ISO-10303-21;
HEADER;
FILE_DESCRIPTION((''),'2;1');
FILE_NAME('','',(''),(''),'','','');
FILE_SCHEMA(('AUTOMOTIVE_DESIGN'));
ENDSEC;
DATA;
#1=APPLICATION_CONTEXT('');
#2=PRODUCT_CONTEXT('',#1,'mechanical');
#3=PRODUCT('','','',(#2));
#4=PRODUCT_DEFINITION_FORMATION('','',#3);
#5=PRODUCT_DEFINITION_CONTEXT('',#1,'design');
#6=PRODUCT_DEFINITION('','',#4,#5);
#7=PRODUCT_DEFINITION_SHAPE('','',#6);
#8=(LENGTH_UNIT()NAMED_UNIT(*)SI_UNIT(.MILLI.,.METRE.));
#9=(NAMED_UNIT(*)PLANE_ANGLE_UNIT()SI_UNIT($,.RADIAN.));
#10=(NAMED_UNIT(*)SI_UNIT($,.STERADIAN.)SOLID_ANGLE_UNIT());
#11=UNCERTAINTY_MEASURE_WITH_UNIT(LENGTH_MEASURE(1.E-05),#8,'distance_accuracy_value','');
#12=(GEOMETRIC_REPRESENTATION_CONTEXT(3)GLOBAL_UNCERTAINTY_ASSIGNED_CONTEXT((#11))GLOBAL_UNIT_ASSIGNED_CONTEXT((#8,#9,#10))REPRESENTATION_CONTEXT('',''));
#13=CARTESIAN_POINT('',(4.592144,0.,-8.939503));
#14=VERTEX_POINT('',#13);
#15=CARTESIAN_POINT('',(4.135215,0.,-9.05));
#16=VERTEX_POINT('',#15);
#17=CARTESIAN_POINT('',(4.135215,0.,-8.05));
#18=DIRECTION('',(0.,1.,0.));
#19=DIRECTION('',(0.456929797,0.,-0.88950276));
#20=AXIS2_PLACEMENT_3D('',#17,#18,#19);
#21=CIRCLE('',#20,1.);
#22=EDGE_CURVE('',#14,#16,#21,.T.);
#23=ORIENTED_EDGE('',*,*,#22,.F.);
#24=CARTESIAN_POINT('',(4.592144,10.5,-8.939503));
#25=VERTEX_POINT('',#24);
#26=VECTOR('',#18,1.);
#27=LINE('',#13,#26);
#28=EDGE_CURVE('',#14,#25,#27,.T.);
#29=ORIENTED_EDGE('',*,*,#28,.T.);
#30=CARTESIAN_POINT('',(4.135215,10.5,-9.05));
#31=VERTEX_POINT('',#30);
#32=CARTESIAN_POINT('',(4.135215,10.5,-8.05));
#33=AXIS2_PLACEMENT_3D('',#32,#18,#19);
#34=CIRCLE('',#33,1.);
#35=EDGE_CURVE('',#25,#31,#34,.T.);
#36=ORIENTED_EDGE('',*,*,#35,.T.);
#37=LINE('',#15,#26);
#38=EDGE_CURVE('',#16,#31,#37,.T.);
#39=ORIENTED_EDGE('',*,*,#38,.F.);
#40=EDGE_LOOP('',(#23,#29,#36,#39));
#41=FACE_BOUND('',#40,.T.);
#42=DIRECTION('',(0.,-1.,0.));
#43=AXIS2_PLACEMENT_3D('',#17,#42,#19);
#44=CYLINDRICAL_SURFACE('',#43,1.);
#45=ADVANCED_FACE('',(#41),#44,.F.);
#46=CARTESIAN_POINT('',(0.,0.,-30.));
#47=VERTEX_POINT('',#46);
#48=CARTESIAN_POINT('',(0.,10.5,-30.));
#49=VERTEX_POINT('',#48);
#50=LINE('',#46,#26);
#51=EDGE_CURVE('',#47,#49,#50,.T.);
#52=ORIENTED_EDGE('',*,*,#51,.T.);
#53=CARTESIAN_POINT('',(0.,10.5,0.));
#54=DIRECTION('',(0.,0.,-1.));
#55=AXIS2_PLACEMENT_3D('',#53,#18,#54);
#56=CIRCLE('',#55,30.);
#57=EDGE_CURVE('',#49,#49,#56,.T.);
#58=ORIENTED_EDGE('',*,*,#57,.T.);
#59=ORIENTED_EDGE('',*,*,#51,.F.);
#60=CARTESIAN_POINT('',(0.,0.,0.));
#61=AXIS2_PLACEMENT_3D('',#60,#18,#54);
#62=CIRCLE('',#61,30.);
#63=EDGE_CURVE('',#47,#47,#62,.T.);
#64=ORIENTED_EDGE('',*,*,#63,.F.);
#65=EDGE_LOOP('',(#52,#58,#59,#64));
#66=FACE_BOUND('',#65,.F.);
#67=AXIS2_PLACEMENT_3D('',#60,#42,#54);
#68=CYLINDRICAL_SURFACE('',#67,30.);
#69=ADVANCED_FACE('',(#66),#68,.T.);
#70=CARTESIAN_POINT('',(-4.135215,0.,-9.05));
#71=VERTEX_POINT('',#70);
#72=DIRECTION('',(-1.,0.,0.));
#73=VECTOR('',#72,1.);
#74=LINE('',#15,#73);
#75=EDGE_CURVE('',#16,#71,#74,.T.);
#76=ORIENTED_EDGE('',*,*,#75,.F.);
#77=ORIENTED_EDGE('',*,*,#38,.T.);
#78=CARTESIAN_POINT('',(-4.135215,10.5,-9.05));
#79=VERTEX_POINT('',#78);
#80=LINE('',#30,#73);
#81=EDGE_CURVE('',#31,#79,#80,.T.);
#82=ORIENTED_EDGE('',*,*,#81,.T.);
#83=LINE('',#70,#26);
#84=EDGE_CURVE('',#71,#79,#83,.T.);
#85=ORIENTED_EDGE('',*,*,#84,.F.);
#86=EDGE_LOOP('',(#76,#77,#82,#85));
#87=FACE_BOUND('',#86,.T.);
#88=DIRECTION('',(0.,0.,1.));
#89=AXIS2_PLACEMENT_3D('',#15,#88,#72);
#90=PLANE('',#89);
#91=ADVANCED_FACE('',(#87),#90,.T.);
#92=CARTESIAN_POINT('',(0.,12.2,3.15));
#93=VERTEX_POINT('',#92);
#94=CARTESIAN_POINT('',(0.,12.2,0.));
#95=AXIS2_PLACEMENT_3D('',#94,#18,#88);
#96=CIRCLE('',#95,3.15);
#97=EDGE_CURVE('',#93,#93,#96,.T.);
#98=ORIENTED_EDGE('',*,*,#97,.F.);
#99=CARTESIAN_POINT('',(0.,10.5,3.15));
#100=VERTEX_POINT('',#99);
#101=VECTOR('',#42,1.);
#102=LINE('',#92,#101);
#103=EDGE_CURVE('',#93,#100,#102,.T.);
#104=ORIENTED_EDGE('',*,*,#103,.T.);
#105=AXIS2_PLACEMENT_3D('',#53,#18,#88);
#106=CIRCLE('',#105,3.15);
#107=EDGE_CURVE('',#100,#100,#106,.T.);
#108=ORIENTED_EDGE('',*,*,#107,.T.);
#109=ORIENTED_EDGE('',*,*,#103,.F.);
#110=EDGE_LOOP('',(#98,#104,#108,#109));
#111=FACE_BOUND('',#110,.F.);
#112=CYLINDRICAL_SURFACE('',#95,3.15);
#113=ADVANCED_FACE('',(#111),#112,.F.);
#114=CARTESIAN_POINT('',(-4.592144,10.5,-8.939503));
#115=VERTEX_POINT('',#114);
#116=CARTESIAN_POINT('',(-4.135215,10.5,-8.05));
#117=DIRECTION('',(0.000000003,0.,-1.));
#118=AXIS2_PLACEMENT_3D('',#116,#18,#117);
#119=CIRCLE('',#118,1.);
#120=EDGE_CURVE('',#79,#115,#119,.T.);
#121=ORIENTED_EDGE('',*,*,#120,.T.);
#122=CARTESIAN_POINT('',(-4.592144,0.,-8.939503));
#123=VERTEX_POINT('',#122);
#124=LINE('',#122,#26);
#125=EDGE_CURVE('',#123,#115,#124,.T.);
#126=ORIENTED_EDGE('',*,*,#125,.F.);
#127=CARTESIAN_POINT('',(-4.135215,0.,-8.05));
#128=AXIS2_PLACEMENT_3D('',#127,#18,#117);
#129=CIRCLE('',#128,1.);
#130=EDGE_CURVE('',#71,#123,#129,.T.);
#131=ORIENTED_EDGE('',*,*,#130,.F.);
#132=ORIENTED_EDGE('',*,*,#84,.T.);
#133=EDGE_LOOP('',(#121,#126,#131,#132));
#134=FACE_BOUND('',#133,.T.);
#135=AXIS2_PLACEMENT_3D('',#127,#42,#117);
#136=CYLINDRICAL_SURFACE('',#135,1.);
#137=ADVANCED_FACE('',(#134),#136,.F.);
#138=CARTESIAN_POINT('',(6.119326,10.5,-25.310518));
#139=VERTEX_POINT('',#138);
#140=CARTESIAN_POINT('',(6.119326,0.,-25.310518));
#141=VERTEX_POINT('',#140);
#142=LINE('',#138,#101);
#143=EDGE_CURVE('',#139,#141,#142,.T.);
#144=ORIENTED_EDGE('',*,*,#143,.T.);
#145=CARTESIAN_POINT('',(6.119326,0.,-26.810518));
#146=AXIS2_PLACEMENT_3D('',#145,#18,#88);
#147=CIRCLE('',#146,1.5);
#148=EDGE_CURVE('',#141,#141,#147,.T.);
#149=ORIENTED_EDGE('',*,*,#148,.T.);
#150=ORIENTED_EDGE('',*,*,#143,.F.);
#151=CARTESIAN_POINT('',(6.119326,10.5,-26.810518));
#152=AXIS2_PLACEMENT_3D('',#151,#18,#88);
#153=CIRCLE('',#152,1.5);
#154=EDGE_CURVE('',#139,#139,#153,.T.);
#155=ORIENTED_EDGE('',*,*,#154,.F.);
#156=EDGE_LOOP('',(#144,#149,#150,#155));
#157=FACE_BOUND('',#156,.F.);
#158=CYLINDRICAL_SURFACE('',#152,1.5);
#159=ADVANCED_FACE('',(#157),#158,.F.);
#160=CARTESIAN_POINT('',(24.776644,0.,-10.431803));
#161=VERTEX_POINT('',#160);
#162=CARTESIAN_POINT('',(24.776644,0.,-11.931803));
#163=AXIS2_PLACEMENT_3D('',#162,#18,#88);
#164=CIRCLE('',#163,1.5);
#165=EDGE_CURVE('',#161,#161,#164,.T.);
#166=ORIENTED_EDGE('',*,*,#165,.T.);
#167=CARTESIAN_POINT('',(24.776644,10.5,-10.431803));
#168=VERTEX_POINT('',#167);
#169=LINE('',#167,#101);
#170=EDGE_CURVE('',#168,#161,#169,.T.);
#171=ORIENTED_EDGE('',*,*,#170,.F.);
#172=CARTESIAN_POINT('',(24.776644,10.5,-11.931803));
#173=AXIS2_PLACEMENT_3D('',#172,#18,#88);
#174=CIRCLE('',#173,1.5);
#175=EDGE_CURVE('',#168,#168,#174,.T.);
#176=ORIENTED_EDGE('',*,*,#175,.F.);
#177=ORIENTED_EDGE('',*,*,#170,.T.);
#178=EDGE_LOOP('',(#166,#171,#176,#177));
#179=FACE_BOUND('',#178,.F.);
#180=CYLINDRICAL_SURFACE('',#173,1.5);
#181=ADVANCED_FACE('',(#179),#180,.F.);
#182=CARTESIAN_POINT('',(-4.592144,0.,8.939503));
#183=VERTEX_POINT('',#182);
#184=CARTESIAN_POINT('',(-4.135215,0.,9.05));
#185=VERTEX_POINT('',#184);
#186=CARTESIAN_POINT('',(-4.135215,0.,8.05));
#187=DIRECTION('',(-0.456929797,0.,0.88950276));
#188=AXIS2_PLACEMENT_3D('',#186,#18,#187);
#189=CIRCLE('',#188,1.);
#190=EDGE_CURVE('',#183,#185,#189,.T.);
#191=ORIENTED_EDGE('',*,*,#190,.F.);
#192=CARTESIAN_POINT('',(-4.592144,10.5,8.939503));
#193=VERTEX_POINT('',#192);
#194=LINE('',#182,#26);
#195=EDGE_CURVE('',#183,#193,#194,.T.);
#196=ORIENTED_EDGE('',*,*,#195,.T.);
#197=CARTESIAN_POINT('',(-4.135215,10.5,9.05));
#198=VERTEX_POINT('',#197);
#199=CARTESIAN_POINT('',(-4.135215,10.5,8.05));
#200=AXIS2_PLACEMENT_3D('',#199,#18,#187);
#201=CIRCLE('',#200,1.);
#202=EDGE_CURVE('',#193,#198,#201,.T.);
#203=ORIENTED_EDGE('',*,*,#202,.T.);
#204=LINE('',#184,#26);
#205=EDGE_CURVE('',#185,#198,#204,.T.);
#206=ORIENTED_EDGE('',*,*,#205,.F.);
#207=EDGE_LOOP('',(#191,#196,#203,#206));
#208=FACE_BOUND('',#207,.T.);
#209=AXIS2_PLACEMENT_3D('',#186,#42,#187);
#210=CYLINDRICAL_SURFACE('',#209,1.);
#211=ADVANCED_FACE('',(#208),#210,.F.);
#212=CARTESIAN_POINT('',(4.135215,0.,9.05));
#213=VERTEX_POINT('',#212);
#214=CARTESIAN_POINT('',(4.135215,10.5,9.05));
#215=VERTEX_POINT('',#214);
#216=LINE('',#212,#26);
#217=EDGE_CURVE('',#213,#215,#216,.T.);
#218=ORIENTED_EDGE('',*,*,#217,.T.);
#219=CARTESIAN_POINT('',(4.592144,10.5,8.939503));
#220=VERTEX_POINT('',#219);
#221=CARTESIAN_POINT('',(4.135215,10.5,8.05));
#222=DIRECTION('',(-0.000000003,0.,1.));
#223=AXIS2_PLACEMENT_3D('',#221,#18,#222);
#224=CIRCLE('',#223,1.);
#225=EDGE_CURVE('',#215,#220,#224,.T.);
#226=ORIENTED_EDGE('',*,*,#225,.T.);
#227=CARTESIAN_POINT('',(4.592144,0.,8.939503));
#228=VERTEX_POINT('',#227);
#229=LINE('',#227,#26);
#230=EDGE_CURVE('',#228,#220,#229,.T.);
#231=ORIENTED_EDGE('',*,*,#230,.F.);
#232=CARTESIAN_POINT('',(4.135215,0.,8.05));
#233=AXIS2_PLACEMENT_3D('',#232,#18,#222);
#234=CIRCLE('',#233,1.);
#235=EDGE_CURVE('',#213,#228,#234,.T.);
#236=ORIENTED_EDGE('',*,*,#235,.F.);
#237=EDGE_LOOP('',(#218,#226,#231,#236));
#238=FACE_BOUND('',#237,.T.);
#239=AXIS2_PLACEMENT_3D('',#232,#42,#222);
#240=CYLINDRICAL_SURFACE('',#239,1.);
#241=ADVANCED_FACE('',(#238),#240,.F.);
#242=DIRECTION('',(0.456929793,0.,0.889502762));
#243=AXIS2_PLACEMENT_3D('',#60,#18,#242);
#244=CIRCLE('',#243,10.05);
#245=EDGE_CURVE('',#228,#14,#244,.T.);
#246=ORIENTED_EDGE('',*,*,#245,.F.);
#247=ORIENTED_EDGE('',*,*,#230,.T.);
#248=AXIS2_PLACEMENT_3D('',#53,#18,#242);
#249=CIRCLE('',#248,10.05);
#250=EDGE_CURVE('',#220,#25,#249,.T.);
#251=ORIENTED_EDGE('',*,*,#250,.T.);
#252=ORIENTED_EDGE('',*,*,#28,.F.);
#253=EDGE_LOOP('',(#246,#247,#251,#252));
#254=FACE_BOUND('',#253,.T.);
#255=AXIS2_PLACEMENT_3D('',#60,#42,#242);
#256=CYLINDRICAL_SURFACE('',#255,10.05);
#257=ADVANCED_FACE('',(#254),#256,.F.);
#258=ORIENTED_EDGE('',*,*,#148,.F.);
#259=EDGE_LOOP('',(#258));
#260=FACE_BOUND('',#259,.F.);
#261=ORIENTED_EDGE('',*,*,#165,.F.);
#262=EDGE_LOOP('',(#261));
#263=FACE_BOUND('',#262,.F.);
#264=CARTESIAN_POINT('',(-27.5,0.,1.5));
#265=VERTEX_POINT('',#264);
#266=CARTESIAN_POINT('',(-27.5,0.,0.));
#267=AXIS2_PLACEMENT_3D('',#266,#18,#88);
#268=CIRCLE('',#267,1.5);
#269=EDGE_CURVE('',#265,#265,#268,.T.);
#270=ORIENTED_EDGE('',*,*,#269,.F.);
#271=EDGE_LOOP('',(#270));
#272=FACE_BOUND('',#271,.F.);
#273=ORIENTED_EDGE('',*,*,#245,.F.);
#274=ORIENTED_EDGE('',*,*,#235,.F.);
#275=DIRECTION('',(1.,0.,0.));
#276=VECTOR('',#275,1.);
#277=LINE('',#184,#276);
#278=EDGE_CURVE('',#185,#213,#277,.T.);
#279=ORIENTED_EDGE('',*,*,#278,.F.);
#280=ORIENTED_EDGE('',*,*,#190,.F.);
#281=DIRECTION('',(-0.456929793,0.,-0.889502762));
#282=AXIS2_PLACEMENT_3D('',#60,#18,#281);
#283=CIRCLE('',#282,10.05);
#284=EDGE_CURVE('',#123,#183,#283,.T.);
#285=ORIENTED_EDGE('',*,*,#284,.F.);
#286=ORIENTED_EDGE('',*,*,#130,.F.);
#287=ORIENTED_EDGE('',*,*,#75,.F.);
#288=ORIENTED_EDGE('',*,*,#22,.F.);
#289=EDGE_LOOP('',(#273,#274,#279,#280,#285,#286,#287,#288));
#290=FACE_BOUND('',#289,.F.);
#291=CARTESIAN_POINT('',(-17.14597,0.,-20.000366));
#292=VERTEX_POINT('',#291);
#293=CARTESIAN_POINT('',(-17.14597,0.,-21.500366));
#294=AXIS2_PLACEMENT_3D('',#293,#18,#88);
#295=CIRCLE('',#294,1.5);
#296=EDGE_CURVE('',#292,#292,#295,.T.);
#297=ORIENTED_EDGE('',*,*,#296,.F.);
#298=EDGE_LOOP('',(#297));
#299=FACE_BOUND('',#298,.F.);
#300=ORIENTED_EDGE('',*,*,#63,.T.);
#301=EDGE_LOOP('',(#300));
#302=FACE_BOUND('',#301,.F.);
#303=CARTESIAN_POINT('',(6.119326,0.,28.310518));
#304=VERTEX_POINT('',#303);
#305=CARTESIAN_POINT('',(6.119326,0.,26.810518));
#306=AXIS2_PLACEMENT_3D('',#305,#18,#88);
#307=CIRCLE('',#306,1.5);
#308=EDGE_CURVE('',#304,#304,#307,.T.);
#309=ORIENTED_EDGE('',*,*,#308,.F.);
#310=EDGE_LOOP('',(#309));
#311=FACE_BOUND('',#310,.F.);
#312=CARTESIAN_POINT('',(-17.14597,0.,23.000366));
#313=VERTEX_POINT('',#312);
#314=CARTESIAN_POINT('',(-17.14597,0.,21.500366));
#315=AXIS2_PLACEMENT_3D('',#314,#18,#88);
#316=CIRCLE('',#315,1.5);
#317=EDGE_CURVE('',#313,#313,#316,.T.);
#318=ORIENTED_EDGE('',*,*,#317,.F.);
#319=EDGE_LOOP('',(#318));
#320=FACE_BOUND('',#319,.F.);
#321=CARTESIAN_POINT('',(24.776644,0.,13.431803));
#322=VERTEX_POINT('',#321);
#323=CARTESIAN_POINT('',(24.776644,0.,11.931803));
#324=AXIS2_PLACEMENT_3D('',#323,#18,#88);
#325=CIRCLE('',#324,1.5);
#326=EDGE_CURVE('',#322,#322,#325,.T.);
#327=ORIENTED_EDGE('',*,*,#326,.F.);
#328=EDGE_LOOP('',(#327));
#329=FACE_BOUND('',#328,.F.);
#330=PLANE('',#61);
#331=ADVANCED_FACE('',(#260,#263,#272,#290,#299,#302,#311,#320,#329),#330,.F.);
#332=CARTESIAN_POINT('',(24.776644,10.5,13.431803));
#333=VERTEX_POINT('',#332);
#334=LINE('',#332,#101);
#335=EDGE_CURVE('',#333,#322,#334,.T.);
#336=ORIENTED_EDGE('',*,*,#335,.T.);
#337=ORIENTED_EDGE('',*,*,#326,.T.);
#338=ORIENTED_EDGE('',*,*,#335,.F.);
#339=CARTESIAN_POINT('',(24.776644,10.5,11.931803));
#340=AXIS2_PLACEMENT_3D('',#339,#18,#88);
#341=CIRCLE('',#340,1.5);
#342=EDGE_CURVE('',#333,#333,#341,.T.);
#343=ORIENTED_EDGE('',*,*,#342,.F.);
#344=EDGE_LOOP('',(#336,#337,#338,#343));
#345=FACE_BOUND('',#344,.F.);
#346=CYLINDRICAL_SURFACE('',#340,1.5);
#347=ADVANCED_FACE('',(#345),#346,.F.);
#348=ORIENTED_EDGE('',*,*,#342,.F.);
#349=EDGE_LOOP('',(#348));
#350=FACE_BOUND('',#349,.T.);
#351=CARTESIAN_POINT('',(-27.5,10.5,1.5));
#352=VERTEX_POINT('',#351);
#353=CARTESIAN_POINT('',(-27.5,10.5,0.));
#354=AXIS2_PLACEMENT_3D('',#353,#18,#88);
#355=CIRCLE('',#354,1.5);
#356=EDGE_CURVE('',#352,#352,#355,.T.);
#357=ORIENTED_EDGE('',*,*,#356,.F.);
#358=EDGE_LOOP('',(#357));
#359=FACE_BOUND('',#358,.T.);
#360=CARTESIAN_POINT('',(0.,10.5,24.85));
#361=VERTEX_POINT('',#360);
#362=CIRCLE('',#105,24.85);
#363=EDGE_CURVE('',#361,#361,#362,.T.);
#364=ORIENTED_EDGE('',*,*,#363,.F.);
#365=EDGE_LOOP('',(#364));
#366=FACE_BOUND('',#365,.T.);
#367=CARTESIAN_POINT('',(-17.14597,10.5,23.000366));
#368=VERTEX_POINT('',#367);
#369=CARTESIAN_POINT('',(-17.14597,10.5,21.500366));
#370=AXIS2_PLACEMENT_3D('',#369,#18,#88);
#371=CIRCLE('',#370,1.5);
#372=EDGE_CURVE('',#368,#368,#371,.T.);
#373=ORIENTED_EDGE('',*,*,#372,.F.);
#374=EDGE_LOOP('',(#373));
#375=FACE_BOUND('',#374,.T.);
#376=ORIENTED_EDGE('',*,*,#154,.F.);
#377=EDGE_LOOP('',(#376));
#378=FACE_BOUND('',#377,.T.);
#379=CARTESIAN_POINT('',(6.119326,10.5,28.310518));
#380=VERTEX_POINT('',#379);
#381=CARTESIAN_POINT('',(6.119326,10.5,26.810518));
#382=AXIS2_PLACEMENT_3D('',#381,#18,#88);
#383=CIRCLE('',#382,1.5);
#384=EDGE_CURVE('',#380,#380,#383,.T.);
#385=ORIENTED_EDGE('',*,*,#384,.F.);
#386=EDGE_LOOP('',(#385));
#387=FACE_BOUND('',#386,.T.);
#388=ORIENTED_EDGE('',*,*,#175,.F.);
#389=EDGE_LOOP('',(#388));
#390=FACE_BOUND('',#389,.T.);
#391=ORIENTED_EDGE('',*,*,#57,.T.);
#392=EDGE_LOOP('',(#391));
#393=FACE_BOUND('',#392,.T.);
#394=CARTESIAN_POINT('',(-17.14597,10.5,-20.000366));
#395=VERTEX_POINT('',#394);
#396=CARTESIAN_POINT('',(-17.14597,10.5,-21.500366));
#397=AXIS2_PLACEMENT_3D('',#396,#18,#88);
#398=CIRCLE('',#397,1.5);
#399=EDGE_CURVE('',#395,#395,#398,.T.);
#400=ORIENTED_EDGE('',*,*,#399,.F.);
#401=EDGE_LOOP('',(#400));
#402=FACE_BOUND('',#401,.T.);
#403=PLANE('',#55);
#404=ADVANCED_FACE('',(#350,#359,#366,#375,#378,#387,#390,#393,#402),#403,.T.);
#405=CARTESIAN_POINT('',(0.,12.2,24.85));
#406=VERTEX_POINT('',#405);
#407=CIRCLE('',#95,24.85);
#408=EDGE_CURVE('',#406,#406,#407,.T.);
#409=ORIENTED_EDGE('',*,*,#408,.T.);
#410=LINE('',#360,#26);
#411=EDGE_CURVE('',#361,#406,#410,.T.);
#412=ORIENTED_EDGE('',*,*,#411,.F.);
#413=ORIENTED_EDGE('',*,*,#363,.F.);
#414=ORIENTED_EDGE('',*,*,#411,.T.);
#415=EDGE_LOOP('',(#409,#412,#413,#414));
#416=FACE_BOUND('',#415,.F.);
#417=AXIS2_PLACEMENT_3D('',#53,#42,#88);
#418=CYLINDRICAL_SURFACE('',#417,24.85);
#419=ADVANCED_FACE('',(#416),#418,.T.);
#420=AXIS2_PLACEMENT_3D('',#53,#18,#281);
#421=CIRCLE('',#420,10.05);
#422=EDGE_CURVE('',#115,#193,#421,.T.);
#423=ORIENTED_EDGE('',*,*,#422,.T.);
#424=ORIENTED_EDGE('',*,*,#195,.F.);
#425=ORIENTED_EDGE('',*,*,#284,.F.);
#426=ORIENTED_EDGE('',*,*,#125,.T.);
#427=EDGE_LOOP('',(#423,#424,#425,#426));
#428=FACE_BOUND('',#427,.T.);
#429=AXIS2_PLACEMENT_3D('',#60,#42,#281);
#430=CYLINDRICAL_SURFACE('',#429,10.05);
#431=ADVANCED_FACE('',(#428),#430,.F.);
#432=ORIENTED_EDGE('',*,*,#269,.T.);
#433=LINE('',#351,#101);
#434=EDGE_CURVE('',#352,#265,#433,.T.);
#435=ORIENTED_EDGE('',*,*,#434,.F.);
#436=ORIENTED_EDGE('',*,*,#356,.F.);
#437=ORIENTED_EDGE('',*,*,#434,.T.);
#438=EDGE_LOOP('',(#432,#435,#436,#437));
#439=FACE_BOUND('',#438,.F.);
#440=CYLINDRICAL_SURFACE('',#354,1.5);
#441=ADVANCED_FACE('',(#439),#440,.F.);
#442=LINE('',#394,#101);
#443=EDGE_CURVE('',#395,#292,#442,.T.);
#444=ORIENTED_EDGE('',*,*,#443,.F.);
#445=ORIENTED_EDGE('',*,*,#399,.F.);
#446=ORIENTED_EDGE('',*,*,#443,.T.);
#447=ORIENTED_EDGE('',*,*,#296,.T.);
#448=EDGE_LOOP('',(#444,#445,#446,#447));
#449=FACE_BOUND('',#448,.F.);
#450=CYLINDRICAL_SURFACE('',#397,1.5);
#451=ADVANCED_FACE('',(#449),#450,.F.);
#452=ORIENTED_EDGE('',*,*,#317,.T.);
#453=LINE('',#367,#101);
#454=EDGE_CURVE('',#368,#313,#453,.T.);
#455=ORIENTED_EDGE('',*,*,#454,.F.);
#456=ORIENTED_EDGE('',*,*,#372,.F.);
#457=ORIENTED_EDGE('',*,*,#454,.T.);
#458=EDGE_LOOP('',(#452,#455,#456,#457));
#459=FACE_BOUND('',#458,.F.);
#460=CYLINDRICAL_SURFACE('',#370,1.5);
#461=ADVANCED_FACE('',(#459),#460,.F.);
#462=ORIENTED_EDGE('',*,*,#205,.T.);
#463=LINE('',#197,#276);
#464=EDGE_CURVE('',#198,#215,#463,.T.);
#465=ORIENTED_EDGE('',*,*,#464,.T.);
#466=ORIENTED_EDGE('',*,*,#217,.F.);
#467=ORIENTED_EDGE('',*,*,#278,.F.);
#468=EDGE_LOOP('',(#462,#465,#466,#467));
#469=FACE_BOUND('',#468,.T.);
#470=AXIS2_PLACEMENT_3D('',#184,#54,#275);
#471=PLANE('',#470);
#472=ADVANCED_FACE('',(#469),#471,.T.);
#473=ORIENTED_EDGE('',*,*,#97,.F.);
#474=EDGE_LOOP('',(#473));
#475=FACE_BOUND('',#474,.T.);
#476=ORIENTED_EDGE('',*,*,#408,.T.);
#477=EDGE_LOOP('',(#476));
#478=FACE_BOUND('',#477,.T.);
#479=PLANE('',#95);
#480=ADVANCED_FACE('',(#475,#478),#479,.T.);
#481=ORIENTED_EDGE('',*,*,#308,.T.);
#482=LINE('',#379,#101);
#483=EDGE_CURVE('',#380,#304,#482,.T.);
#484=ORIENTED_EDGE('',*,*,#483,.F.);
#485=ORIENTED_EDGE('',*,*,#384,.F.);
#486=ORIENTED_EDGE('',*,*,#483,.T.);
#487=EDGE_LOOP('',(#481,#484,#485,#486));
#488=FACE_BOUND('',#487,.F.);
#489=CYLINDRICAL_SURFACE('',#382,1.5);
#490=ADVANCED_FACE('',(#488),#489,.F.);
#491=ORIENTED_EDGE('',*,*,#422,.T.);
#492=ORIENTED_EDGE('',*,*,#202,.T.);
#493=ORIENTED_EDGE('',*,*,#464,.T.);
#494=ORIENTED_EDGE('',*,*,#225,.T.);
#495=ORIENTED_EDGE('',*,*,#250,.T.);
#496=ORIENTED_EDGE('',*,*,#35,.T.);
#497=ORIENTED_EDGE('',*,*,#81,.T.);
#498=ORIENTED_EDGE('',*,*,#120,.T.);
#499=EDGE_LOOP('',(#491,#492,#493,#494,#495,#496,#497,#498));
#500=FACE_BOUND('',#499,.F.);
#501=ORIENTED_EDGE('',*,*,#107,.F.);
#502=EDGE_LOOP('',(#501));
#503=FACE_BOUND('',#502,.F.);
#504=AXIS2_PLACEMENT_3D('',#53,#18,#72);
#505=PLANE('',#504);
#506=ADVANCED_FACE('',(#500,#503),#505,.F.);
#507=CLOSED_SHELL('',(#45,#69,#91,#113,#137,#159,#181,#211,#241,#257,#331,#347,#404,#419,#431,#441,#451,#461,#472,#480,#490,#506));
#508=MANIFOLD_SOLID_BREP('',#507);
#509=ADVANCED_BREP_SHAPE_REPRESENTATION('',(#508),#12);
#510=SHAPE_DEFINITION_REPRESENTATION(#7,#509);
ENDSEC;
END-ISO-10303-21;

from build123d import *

# Parameters (mm, degrees)
CROQUIS1_R              = 30
SALIENTE_EXTRUIR1_DEPTH = 10.5
CROQUIS2_R              = 24.85
SALIENTE_EXTRUIR2_DEPTH = 1.7
CROQUIS4_R              = 1.5
CORTAR_EXTRUIR1_DEPTH   = 44.706406853
CORTAR_EXTRUIR2_DEPTH   = 10.5
CROQUIS6_R              = 3.15
CORTAR_EXTRUIR3_DEPTH   = 45.145667964


with BuildPart() as part:
    # Croquis1 → Saliente-Extruir1 (new body)
    with BuildSketch(Plane(origin=(0, 0, 0), x_dir=(1, 0, 0), z_dir=(0, 1, 0))):
        with Locations(Location((0, 0, 0), (0, 0, 90))):
            Circle(CROQUIS1_R)
    extrude(amount=SALIENTE_EXTRUIR1_DEPTH)

    # Croquis2 → Saliente-Extruir2 (add)
    with BuildSketch(Plane(origin=(0, 10.5, 0), x_dir=(1, 0, 0), z_dir=(0, 1, 0))):
        with Locations(Location((0, 0, 0), (0, 0, 270))):
            Circle(CROQUIS2_R)
    extrude(amount=SALIENTE_EXTRUIR2_DEPTH)

    # Croquis4 → Cortar-Extruir1 (cut, through all)
    with BuildSketch(Plane(origin=(0, 10.5, 0), x_dir=(1, 0, 0), z_dir=(0, 1, 0))):
        with Locations(Location((-27.5, 0, 0), (0, 0, 270))):
            Circle(CROQUIS4_R)
        with Locations(Location((-17.145969551, 21.500365768, 0), (0, 0, 270))):
            Circle(CROQUIS4_R)
        with Locations(Location((6.119325684, 26.810517585, 0), (0, 0, 270))):
            Circle(CROQUIS4_R)
        with Locations(Location((24.776643867, 11.931802826, 0), (0, 0, 270))):
            Circle(CROQUIS4_R)
        with Locations(Location((24.776643867, -11.931802826, 0), (0, 0, 270))):
            Circle(CROQUIS4_R)
        with Locations(Location((6.119325684, -26.810517585, 0), (0, 0, 270))):
            Circle(CROQUIS4_R)
        with Locations(Location((-17.145969551, -21.500365768, 0), (0, 0, 270))):
            Circle(CROQUIS4_R)
    extrude(amount=-CORTAR_EXTRUIR1_DEPTH, mode=Mode.SUBTRACT)

    # Croquis5 → Cortar-Extruir2 (cut)
    with BuildSketch(Plane.XZ):
        with BuildLine():
            Line((-4.135214626, 9.05), (4.135214626, 9.05))
            ThreePointArc((4.135214626, 9.05), (4.370264873, 9.021983221), (4.592144419, 8.939502762))
            ThreePointArc((4.592144419, 8.939502762), (10.05, 0), (4.592144419, -8.939502762))
            ThreePointArc((4.592144419, -8.939502762), (4.370264873, -9.021983221), (4.135214626, -9.05))
            Line((4.135214626, -9.05), (-4.135214626, -9.05))
            ThreePointArc((-4.135214626, -9.05), (-4.370264873, -9.021983221), (-4.592144419, -8.939502762))
            ThreePointArc((-4.592144419, -8.939502762), (-10.05, 0), (-4.592144419, 8.939502762))
            ThreePointArc((-4.592144419, 8.939502762), (-4.370264873, 9.021983221), (-4.135214626, 9.05))
        make_face()
    extrude(amount=-CORTAR_EXTRUIR2_DEPTH, mode=Mode.SUBTRACT)

    # Croquis6 → Cortar-Extruir3 (cut, through all)
    with BuildSketch(Plane(origin=(0, 12.2, 0), x_dir=(1, 0, 0), z_dir=(0, 1, 0))):
        with Locations(Location((0, 0, 0), (0, 0, 270))):
            Circle(CROQUIS6_R)
    extrude(amount=-CORTAR_EXTRUIR3_DEPTH, mode=Mode.SUBTRACT)


solid = part.part
